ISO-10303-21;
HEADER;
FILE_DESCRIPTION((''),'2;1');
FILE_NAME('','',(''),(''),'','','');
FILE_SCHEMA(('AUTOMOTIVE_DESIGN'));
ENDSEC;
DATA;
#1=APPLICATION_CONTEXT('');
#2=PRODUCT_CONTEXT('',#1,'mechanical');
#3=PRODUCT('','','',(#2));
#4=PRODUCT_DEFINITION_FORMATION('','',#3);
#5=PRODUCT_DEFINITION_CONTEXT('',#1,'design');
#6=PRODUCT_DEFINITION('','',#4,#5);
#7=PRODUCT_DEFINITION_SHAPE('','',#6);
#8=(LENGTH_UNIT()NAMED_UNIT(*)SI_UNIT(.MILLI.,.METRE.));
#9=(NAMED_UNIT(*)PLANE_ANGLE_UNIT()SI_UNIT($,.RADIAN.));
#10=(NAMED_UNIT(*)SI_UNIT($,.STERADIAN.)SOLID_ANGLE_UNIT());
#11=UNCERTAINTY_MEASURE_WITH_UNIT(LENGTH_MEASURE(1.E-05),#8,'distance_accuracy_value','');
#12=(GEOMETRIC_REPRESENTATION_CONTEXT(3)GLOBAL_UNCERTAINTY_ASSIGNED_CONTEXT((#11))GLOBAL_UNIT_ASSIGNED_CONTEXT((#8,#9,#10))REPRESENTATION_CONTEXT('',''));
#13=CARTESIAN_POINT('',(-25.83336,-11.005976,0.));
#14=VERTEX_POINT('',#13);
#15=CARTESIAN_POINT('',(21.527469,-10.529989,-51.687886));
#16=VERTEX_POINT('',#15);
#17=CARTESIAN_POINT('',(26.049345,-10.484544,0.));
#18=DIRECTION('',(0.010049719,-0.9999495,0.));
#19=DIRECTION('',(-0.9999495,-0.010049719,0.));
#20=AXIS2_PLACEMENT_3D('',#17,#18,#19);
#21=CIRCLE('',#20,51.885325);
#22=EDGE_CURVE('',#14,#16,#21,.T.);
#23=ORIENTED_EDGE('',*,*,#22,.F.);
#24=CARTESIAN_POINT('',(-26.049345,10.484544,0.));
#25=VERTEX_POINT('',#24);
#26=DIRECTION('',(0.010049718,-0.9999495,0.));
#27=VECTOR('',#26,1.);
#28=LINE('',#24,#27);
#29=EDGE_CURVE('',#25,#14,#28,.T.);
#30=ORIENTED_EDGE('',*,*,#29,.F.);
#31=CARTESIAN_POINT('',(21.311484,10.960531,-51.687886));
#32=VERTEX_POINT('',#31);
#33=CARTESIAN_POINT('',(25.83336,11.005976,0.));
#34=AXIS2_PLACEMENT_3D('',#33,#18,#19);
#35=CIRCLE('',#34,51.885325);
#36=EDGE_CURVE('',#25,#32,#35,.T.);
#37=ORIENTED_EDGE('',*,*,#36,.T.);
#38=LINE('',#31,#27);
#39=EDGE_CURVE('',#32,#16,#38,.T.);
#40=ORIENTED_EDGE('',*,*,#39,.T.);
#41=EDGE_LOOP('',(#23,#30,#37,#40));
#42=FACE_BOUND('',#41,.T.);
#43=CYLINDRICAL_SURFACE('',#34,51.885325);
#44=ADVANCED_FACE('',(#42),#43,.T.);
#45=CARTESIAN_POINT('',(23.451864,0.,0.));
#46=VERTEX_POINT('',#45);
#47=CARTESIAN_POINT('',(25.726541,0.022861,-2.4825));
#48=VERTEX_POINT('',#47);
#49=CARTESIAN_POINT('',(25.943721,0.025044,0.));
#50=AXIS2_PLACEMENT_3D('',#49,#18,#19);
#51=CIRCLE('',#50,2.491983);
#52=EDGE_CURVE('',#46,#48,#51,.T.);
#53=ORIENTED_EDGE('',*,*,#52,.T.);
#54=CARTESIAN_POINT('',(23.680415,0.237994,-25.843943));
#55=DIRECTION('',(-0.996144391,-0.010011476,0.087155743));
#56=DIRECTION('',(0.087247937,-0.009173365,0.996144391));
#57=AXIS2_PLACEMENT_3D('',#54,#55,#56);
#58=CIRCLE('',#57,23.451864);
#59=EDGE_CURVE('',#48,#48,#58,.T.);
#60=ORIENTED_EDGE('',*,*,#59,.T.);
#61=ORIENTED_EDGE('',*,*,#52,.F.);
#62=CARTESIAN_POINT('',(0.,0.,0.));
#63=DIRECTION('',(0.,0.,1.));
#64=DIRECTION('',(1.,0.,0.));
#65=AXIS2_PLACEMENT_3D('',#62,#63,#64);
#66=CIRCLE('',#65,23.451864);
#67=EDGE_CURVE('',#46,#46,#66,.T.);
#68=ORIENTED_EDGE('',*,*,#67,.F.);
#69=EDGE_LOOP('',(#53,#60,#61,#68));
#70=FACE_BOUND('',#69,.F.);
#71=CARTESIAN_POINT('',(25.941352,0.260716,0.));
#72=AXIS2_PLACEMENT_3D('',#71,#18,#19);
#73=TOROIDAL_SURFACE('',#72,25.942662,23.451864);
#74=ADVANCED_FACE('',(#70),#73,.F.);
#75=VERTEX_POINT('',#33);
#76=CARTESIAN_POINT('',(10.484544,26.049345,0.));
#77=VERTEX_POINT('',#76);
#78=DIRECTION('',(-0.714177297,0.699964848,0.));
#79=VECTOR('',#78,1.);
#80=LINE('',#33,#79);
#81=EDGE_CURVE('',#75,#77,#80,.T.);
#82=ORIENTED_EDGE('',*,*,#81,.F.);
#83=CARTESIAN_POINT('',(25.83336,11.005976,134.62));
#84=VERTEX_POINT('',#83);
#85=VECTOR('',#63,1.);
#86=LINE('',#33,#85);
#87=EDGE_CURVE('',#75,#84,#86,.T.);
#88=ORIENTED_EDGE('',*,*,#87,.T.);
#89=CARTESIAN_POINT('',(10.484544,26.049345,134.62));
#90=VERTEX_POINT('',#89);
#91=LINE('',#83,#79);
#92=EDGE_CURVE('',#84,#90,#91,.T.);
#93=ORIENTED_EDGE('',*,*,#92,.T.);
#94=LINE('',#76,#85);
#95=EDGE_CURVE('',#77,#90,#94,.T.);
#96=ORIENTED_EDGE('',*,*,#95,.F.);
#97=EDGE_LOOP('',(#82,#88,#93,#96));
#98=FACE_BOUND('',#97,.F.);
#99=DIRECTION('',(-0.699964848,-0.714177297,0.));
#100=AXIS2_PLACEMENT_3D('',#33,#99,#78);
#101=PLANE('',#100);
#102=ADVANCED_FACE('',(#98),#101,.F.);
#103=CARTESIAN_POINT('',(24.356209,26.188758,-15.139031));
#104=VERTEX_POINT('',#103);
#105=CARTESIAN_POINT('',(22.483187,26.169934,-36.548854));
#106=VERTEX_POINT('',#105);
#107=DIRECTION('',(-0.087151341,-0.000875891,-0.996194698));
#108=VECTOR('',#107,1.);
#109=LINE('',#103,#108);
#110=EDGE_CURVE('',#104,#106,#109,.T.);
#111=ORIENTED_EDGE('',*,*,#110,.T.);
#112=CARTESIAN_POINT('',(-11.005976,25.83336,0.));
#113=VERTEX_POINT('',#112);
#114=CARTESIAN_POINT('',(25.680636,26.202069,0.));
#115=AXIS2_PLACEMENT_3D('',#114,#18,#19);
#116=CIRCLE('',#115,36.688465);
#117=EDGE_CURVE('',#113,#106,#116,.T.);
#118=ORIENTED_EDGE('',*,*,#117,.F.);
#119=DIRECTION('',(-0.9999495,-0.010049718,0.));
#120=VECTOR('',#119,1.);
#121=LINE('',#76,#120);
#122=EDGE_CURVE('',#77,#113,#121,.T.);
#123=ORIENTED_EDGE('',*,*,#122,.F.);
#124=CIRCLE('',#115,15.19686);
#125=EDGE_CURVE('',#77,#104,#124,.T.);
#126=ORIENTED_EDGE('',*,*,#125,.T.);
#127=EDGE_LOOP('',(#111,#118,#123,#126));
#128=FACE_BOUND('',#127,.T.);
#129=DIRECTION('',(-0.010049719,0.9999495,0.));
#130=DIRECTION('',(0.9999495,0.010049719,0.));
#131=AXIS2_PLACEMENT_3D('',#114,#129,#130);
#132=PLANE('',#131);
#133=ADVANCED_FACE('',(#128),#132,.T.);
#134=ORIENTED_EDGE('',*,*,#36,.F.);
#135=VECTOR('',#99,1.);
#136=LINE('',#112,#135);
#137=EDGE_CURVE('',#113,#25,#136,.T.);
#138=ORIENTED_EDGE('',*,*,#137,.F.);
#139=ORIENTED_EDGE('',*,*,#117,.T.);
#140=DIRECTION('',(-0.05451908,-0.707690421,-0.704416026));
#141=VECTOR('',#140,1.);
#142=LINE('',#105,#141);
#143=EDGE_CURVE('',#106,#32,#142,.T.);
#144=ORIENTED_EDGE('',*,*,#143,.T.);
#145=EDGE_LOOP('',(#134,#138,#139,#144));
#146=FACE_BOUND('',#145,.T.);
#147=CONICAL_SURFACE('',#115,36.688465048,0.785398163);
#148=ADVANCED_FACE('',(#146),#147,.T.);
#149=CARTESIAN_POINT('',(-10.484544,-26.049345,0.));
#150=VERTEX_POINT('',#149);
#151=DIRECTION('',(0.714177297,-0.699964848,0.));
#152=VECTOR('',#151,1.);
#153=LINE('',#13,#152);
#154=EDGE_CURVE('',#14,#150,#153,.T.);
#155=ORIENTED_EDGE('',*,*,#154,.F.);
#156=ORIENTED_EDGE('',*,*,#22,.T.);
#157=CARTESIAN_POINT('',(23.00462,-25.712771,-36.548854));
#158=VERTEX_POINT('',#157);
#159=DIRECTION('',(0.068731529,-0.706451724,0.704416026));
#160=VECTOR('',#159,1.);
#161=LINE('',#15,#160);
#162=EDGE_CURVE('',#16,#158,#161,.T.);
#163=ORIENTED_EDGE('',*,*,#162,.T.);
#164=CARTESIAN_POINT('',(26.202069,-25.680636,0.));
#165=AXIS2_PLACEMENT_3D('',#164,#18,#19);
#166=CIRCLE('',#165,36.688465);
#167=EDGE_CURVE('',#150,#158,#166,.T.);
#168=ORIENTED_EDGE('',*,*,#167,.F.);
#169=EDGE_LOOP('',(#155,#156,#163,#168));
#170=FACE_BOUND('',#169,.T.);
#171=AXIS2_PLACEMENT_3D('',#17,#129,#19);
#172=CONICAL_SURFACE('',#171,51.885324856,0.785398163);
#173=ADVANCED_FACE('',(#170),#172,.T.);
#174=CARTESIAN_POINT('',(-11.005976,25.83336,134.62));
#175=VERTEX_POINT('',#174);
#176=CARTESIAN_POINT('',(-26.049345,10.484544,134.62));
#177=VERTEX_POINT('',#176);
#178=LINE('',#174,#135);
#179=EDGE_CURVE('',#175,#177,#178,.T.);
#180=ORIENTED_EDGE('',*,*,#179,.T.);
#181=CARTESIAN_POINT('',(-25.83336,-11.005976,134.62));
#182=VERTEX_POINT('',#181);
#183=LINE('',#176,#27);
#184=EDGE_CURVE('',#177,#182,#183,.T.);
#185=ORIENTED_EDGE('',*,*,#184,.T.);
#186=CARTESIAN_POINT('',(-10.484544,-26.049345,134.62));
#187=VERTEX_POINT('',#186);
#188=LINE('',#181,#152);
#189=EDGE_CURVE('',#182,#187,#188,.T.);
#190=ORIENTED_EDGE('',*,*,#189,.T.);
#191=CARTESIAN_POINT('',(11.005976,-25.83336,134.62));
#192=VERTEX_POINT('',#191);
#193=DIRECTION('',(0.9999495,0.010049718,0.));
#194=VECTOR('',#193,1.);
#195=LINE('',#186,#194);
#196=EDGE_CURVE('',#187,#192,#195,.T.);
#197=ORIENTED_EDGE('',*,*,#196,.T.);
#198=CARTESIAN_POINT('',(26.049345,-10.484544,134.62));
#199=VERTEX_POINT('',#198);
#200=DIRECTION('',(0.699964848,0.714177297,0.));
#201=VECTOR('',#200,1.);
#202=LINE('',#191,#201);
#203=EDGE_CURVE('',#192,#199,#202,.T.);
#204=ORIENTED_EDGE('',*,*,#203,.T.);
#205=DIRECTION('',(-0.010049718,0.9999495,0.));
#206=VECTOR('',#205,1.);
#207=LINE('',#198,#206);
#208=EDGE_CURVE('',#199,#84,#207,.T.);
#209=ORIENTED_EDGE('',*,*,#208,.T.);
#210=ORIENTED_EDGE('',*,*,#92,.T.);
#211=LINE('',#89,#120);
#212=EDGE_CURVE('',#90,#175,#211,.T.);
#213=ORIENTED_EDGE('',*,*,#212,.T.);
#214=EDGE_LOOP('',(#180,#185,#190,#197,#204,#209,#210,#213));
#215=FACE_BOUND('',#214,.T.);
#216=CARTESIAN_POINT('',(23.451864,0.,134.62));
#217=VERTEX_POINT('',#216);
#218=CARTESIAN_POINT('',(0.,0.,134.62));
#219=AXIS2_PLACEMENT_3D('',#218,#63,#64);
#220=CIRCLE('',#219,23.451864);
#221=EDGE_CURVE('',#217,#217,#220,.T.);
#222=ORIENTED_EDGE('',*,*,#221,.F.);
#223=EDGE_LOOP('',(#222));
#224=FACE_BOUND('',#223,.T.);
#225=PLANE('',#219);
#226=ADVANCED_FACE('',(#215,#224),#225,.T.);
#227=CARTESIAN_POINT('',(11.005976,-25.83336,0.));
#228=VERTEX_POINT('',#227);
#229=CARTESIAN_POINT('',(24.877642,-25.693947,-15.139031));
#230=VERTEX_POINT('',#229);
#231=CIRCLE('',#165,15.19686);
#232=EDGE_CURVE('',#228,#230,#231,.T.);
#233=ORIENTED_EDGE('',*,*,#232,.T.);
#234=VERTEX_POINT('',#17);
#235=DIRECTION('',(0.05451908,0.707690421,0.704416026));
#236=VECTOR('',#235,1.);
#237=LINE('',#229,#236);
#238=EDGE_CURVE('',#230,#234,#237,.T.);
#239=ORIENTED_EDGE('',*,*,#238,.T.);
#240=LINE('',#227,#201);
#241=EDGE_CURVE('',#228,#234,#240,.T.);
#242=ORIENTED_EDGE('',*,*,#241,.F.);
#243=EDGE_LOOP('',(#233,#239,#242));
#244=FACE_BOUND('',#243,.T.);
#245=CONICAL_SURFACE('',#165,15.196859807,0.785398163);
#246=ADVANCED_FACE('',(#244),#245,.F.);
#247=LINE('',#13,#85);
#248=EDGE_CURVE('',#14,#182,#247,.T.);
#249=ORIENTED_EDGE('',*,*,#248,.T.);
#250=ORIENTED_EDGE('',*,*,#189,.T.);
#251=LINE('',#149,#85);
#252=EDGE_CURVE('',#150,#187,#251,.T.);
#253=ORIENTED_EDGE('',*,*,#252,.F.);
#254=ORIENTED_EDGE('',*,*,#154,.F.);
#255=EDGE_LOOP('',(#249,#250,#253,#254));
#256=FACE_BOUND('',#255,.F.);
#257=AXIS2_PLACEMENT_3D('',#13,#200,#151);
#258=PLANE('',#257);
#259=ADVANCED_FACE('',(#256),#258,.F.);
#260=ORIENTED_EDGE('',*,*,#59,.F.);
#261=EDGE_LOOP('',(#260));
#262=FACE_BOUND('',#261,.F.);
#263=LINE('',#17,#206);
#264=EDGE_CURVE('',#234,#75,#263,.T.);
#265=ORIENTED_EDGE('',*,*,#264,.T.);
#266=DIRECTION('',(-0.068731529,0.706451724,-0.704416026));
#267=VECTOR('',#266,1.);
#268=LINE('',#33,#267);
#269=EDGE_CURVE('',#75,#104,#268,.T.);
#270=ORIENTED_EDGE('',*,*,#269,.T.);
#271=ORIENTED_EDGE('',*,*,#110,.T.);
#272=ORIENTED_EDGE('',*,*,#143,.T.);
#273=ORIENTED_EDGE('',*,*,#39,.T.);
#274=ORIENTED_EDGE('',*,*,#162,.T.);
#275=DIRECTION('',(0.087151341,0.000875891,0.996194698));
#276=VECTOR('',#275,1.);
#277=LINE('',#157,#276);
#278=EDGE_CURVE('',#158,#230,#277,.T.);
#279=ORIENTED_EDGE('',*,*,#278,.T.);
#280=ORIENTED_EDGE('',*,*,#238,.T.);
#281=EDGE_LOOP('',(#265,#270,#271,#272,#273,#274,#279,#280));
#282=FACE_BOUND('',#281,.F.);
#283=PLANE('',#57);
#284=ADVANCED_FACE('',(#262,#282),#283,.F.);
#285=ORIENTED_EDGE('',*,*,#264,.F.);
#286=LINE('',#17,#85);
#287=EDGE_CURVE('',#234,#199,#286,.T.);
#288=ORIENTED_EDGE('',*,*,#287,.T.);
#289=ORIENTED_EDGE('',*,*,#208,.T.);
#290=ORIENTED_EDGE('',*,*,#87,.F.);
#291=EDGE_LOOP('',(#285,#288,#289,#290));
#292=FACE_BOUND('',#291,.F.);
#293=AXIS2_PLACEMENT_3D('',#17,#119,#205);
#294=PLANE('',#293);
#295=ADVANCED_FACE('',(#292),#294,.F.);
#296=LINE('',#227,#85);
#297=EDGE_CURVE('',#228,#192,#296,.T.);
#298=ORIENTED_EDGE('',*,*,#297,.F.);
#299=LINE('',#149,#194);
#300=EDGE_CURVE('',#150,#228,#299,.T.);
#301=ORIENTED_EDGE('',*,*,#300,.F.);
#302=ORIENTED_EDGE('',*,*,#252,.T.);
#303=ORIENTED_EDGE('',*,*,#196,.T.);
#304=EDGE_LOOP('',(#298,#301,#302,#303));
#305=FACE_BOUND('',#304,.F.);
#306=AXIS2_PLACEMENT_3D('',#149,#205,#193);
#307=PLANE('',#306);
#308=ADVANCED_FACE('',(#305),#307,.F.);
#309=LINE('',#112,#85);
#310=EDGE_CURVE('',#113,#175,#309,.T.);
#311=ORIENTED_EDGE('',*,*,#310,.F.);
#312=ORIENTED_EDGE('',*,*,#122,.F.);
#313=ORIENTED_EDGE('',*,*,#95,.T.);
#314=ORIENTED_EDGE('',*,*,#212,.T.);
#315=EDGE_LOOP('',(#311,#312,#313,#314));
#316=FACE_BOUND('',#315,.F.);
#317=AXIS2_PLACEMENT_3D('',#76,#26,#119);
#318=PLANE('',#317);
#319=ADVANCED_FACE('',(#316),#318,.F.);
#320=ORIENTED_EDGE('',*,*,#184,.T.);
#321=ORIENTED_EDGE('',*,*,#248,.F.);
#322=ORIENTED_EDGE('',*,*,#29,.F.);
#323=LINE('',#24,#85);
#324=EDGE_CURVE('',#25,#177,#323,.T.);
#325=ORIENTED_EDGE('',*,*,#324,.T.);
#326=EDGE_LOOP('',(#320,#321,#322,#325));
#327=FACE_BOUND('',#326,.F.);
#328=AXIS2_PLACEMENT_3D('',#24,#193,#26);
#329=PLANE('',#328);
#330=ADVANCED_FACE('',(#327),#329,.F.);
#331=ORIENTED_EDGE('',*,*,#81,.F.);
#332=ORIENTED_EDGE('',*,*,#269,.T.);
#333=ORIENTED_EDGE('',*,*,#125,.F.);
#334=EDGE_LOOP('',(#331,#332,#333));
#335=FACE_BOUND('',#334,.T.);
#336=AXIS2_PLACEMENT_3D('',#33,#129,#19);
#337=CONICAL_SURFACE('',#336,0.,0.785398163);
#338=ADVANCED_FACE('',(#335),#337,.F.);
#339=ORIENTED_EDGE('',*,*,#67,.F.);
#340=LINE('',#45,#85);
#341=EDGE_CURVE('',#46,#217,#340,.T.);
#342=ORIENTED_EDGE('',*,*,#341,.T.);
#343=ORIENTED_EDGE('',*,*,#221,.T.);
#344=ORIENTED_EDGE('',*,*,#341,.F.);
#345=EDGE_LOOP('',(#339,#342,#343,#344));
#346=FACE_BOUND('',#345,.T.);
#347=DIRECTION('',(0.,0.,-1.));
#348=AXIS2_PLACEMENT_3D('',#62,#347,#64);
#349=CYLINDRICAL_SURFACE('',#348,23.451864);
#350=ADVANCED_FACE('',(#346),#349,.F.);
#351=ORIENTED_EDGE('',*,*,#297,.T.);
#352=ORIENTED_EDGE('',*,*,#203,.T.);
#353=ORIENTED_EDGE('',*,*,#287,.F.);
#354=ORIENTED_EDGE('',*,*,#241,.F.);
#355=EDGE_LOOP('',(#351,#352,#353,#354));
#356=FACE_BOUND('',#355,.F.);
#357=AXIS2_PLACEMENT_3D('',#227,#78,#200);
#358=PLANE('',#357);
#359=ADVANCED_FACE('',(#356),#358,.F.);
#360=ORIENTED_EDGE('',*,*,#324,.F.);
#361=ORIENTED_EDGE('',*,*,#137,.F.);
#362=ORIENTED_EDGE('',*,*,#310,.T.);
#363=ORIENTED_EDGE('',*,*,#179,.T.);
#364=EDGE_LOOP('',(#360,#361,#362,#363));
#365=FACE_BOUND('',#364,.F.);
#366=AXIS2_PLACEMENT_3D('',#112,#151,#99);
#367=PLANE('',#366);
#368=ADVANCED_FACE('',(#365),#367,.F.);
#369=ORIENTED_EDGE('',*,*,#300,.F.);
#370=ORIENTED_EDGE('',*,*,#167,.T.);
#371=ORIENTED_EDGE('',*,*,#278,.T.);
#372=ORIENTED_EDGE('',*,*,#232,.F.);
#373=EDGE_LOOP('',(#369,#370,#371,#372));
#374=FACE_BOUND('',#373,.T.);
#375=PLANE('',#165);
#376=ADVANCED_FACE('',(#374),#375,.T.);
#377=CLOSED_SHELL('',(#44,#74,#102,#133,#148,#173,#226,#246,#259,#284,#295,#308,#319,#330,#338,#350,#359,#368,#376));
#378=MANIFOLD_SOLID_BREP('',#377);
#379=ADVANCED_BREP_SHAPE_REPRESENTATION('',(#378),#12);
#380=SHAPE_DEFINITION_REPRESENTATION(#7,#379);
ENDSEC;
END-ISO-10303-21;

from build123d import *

# Parameters (mm, degrees)
F0_R     = 23.4518638388
F1_ANGLE = 85
F2_DEPTH = 134.62


with BuildPart() as f1:
    # F0 (on Top) → F1 (revolve)
    with BuildSketch(Plane.XY):
        Polygon((25.8333600402, 11.0059764155), (10.4845435083, 26.0493446223), (-11.0059764155, 25.8333600402), (-26.0493446223, 10.4845435083), (-25.8333600402, -11.0059764155), (-10.4845435083, -26.0493446223), (11.0059764155, -25.8333600402), (26.0493446223, -10.4845435083), align=None)
        Circle(F0_R, mode=Mode.SUBTRACT)
    revolve(axis=Axis((25.9413523312, 0.2607164536, 0), (0.0100497185, -0.9999495003, 0)), revolution_arc=F1_ANGLE)

    # F0 (on Top) → F2 (join)
    with BuildSketch(Plane.XY):
        Polygon((25.8333600402, 11.0059764155), (10.4845435083, 26.0493446223), (-11.0059764155, 25.8333600402), (-26.0493446223, 10.4845435083), (-25.8333600402, -11.0059764155), (-10.4845435083, -26.0493446223), (11.0059764155, -25.8333600402), (26.0493446223, -10.4845435083), align=None)
        Circle(F0_R, mode=Mode.SUBTRACT)
    extrude(amount=F2_DEPTH)


solid = f1.part
